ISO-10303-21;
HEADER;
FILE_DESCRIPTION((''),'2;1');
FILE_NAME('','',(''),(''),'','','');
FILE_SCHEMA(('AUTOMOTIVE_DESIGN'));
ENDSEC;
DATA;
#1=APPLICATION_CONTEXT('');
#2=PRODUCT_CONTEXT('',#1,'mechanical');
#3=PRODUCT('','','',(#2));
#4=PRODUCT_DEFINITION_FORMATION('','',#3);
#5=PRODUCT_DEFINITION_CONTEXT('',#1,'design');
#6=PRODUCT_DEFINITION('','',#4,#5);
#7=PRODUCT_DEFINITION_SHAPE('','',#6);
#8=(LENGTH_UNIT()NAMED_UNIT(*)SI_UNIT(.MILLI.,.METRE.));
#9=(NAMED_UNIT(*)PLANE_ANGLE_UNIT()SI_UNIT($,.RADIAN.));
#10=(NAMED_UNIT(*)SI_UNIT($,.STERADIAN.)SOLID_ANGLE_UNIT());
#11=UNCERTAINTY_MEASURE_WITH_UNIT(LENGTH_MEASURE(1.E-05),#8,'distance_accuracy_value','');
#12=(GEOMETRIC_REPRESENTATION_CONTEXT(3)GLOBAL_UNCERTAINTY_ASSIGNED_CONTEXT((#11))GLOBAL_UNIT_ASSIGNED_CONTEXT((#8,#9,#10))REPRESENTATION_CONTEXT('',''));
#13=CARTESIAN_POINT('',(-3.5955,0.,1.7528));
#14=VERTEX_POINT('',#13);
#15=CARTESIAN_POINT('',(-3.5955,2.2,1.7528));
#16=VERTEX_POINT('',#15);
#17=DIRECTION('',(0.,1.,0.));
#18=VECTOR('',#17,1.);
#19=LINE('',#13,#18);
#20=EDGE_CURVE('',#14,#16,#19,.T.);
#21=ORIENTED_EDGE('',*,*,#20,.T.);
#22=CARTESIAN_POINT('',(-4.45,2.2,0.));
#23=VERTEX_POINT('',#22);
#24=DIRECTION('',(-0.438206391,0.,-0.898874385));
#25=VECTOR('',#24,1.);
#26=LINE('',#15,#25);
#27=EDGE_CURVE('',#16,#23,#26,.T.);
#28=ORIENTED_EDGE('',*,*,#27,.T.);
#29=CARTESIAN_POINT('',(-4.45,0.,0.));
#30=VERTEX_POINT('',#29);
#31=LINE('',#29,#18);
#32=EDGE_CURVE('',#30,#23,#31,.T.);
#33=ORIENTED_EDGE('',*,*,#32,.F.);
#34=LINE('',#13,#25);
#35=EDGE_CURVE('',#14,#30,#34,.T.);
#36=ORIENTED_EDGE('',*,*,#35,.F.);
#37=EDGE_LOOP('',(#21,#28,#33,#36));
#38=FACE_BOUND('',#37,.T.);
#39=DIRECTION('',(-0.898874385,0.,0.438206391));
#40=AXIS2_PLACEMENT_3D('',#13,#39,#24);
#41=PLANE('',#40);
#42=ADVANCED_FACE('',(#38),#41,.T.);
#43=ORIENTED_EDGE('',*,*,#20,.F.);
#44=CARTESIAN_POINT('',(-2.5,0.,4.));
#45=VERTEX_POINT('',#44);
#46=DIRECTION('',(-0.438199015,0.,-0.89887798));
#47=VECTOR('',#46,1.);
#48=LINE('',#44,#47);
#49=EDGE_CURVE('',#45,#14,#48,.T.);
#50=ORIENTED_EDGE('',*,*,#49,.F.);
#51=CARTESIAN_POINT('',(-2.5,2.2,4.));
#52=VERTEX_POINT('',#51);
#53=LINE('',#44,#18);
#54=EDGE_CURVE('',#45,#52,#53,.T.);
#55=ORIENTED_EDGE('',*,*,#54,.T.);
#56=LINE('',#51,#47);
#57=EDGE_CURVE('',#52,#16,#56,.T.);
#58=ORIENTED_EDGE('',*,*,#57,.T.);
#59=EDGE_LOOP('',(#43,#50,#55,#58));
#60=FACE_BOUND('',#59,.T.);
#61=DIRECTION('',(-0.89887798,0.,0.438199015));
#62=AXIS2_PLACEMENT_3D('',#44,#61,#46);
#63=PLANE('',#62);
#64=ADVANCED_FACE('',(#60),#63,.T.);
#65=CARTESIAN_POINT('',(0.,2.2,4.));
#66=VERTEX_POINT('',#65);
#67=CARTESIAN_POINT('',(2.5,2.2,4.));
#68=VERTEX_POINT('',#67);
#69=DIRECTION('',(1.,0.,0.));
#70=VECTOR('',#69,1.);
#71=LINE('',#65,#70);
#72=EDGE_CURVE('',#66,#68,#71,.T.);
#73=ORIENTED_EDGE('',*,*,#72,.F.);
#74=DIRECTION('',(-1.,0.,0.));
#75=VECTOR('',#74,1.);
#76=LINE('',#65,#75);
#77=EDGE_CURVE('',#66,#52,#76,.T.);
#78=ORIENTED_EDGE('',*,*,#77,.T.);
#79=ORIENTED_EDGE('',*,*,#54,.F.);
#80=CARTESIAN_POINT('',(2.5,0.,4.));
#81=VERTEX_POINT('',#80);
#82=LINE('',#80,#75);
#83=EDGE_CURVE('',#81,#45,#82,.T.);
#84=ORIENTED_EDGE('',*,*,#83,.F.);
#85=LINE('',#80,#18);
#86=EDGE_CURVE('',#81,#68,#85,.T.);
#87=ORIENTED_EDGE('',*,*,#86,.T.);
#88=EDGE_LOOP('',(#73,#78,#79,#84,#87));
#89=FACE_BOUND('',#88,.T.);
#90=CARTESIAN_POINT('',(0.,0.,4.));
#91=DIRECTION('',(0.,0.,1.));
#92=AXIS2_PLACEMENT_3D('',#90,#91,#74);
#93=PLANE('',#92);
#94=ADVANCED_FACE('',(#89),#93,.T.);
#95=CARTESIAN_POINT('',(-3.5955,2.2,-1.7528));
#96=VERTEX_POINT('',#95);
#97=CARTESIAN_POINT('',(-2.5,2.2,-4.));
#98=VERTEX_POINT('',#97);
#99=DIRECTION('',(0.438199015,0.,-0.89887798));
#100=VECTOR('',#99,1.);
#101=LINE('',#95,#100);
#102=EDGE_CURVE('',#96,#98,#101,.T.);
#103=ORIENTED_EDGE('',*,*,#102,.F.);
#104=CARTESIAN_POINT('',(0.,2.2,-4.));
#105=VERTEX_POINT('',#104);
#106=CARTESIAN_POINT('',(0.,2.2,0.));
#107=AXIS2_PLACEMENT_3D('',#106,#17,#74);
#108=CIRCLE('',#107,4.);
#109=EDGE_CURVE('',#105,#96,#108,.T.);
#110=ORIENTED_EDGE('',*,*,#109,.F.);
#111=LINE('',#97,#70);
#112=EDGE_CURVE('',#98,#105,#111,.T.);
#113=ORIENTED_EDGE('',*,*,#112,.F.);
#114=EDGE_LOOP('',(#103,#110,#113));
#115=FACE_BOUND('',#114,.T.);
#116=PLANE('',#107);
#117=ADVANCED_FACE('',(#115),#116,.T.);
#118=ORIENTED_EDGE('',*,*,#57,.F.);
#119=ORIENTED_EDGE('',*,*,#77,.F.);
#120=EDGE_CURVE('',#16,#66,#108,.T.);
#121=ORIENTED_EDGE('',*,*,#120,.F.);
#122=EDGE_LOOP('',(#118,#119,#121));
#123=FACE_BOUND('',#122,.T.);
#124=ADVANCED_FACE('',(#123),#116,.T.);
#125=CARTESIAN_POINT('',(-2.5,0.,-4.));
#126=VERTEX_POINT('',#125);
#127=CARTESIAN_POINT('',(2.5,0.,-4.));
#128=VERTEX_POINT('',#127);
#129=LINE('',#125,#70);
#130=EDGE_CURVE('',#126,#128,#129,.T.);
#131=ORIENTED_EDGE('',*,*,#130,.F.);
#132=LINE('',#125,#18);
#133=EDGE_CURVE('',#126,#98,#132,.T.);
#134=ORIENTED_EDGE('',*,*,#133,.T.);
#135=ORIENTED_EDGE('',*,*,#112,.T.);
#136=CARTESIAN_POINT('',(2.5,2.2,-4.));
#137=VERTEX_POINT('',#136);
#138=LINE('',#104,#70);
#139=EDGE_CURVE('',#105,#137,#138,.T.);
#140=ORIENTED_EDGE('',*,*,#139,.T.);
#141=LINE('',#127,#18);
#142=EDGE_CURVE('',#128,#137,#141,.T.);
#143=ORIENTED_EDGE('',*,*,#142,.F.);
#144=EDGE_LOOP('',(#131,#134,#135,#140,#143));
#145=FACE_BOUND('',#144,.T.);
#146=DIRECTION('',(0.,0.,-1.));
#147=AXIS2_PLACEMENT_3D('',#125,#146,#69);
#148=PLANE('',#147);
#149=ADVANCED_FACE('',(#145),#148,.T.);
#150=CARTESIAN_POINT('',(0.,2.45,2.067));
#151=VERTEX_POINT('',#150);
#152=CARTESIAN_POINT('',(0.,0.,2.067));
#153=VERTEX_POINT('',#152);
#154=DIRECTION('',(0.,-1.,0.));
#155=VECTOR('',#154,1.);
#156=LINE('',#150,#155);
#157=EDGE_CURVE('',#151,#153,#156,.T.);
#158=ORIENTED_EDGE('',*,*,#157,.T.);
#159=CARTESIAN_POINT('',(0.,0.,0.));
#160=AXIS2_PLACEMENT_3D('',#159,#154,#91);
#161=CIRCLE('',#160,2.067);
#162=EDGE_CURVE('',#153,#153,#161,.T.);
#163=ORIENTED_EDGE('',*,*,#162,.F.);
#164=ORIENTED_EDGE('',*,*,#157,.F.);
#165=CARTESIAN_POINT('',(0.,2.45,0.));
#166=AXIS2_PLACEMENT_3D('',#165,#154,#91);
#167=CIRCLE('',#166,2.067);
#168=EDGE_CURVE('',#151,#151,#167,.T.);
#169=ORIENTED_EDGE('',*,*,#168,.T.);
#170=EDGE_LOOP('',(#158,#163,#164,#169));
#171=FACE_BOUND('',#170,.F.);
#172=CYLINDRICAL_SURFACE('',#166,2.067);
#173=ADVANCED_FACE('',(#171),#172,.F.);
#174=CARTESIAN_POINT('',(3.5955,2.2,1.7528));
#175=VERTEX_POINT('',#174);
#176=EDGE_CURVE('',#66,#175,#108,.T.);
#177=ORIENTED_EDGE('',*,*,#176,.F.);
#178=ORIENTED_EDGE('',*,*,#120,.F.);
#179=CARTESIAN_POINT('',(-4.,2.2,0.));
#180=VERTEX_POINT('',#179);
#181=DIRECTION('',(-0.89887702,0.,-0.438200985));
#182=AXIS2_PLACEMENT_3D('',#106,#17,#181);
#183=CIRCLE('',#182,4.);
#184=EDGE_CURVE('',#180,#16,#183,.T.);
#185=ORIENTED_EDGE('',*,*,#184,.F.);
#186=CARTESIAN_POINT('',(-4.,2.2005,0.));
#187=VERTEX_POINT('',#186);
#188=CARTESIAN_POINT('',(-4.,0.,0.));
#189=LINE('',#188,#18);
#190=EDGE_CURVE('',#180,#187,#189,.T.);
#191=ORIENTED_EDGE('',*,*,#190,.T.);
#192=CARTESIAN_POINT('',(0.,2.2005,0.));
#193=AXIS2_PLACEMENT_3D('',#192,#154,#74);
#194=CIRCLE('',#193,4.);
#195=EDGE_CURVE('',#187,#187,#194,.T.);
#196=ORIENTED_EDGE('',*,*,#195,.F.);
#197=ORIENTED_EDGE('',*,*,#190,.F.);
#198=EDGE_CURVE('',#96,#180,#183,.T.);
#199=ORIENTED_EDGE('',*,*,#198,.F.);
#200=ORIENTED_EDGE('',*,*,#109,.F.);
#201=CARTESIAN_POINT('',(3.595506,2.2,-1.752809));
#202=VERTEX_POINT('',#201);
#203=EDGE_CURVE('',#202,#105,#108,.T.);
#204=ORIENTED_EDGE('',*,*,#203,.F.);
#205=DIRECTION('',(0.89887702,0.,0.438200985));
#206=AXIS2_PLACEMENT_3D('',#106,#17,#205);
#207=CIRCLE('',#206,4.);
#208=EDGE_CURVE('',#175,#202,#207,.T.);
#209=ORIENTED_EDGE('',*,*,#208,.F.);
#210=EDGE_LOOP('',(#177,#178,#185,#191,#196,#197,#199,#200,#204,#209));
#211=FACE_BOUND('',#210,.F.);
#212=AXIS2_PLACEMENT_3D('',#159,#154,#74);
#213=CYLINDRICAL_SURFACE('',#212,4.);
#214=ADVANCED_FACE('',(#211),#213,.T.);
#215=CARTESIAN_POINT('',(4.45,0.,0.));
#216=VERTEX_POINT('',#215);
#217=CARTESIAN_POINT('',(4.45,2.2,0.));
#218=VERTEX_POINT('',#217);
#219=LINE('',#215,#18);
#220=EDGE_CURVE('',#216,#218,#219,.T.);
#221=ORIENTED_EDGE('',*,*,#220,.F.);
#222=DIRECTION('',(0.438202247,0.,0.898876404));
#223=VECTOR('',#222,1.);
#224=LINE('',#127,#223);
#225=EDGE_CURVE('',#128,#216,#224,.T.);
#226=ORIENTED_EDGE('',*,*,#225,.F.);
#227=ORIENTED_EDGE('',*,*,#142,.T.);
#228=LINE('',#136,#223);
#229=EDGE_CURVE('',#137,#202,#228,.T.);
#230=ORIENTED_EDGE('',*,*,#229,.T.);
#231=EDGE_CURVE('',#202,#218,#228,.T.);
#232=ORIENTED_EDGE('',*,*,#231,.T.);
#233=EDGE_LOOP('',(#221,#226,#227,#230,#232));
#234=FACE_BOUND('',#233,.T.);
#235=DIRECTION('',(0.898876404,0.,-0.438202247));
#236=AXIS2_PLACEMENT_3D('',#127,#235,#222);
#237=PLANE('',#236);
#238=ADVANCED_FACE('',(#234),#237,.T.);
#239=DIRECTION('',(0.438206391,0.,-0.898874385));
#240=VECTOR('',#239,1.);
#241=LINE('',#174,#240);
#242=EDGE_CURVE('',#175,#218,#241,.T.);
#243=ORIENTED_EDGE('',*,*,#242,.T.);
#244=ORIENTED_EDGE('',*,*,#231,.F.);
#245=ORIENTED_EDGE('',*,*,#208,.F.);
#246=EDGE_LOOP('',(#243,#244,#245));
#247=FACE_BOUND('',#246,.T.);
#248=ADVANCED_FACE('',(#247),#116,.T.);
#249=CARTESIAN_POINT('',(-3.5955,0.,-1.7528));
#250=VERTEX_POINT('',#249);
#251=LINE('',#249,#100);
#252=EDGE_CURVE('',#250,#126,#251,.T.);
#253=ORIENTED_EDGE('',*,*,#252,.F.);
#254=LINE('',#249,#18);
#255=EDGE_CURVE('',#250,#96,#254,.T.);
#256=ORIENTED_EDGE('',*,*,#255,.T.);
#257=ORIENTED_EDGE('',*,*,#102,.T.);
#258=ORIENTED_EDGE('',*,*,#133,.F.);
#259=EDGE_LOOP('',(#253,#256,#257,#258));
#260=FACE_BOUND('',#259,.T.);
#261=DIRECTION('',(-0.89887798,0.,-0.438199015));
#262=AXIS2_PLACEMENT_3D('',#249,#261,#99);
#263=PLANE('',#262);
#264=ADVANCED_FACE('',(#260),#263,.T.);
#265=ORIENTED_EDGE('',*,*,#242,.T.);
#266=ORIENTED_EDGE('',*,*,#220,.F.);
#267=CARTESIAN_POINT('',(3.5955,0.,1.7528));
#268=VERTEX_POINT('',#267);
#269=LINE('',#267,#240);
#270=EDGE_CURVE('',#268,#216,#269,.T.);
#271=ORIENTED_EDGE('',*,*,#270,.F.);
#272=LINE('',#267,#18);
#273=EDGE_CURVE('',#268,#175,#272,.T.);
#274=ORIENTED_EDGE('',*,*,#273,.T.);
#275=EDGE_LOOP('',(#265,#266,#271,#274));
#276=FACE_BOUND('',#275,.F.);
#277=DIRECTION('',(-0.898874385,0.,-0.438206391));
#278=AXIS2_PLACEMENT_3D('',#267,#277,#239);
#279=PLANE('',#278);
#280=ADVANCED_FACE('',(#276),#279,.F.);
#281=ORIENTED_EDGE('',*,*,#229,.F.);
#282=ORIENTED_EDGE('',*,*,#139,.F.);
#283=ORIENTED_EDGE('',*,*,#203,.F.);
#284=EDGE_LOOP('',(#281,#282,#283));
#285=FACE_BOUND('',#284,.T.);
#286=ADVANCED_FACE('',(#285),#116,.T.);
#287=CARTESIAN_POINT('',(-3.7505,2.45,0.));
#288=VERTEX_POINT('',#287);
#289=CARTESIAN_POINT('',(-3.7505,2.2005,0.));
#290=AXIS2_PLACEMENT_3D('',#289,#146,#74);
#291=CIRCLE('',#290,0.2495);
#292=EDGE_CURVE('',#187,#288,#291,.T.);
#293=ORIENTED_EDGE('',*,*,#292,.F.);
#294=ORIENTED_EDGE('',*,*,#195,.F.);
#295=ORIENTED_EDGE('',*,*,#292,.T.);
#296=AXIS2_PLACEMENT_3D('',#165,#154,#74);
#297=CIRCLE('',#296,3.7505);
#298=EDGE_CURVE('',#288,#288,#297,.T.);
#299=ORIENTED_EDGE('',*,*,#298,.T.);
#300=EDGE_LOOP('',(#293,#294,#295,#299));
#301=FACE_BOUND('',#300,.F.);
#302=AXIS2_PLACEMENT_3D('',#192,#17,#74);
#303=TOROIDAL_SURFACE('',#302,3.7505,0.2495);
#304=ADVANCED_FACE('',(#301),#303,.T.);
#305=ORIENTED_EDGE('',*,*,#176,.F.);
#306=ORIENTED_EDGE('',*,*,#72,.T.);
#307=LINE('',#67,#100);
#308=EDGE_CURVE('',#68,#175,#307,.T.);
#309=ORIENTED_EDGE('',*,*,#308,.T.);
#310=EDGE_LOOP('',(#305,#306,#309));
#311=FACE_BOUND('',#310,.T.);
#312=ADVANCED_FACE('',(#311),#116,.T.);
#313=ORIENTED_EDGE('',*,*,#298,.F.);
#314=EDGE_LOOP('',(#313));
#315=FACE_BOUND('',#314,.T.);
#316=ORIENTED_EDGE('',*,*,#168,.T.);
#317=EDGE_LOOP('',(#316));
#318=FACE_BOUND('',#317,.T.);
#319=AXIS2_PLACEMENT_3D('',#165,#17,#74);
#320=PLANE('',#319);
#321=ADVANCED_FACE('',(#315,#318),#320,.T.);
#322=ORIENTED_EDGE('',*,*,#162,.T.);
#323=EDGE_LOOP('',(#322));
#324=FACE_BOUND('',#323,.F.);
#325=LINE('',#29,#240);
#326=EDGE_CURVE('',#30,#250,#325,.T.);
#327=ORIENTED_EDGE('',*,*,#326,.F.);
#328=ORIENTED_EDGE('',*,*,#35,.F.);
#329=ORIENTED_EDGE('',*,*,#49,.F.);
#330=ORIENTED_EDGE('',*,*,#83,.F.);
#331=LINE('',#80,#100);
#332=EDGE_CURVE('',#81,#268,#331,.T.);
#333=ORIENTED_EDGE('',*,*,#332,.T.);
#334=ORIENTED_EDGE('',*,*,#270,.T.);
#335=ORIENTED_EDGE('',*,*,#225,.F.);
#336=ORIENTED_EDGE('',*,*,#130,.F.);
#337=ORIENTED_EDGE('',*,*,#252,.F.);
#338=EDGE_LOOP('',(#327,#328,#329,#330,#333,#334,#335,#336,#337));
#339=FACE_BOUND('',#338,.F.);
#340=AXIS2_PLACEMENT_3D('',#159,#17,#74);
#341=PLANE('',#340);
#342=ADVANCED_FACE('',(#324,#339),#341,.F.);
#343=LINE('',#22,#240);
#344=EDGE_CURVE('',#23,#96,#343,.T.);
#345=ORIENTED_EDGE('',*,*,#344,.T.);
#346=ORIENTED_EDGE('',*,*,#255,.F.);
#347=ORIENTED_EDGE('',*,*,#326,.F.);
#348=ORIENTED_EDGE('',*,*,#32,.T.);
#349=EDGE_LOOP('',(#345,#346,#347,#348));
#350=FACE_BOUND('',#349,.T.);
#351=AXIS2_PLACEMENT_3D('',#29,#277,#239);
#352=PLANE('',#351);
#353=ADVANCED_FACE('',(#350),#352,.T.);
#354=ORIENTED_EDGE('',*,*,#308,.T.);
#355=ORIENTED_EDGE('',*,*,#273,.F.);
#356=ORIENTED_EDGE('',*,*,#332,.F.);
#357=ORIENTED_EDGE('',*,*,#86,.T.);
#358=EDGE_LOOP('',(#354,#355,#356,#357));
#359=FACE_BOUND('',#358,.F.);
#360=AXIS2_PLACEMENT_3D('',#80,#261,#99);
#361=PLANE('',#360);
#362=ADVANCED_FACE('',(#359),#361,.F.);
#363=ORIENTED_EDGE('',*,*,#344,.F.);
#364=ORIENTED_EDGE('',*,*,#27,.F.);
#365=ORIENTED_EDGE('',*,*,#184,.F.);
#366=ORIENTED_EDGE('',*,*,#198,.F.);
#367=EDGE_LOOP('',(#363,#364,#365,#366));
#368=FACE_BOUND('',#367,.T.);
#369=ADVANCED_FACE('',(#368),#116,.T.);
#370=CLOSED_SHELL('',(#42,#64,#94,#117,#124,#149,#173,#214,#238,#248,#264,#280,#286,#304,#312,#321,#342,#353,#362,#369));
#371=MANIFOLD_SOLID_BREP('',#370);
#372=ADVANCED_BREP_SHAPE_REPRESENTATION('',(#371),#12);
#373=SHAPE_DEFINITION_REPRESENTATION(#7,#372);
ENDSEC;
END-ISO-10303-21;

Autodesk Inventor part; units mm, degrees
ref_plane "YZ Plane" through (0, 0, 0) normal (1, 0, 0) x (0, 1, 0)
ref_plane "XZ Plane" through (0, 0, 0) normal (0, 1, 0) x (-1, 0, 0)
ref_plane "XY Plane" through (0, 0, 0) normal (0, 0, 1) x (1, 0, 0)
sketch "Szkic1" plane through (0, 0, 0) normal (0, 1, 0) x (-1, 0, 0)
  circle A0 centre (0, 0) radius 2.5
  line L0 (0, 0) -> (0, -4)
  line L1 (0, 0) -> (0, 4)
  circle A1 centre (0, 0) radius 4
  line L2 (5.4643, 0) -> (-5.9483, 0)
  line L3 (0, 4) -> (2.5, 4)
  line L4 (0, 4) -> (-2.5, 4)
  line L5 (2.5, 4) -> (3.5955, 1.7528)
  line L6 (3.5955, 1.7528) -> (4.45, 0)
  line L7 (4.45, 0) -> (3.5955, -1.7528)
  line L8 (3.5955, -1.7528) -> (2.5, -4)
  line L9 (2.5, -4) -> (0, -4)
  line L10 (0, -4) -> (-2.5, -4)
  line L11 (-2.5, 4) -> (-3.5955, 1.7528)
  line L12 (-3.5955, 1.7528) -> (-4.45, 0)
  line L13 (-2.5, -4) -> (-4.45, 0)
  point P0 (-3.5955, -1.7528)
  dimension "d0" = 5
  dimension "d1" = 4
  dimension "d2" = 4
  dimension "d3" = 8
  dimension "d4" = 2.5
  dimension "d5" = 2.5
extrude "Wyciągnięcie proste2" add sketch "Szkic1" along normal blind 2.2 contours L2 L7 A1 | A1 L6 L2 | L3 L5 A1 | A1 L11 L4 | L10 L13 A1 | A1 L8 L9 | L2 L12 A1 | A1 L13 L2
extrude "Wyciągnięcie proste3" add sketch "Szkic1" along normal blind 2.45 contours L2 L1 A0 | L2 A1 L0 A0 | A0 L1 A1 L2 | A0 L0 L2 | L1 L2 A0 | A0 L2 A1 L1 | L0 A1 L2 A0 | A0 L2 L0
sketch "Szkic2" plane through (0, 2.45, 0) normal (0, 1, 0) x (1, 0, 0)
  point P0 (0, 0)
  point P1 (0, 0)
hole "Otwór1" at (0, 2.45, 0) at (0, 2.45, 0) direction (0, -1, 0) diameter 4.134 depth 14.2 tip angle 118 thread size "M5x0.8" class "6H" standard "ANSI Metric M Profile"
fillet "Zaokrąglenie1" radius 0.25 1 edges at (4, 2.45, 0)
properties part number "nakretka"
